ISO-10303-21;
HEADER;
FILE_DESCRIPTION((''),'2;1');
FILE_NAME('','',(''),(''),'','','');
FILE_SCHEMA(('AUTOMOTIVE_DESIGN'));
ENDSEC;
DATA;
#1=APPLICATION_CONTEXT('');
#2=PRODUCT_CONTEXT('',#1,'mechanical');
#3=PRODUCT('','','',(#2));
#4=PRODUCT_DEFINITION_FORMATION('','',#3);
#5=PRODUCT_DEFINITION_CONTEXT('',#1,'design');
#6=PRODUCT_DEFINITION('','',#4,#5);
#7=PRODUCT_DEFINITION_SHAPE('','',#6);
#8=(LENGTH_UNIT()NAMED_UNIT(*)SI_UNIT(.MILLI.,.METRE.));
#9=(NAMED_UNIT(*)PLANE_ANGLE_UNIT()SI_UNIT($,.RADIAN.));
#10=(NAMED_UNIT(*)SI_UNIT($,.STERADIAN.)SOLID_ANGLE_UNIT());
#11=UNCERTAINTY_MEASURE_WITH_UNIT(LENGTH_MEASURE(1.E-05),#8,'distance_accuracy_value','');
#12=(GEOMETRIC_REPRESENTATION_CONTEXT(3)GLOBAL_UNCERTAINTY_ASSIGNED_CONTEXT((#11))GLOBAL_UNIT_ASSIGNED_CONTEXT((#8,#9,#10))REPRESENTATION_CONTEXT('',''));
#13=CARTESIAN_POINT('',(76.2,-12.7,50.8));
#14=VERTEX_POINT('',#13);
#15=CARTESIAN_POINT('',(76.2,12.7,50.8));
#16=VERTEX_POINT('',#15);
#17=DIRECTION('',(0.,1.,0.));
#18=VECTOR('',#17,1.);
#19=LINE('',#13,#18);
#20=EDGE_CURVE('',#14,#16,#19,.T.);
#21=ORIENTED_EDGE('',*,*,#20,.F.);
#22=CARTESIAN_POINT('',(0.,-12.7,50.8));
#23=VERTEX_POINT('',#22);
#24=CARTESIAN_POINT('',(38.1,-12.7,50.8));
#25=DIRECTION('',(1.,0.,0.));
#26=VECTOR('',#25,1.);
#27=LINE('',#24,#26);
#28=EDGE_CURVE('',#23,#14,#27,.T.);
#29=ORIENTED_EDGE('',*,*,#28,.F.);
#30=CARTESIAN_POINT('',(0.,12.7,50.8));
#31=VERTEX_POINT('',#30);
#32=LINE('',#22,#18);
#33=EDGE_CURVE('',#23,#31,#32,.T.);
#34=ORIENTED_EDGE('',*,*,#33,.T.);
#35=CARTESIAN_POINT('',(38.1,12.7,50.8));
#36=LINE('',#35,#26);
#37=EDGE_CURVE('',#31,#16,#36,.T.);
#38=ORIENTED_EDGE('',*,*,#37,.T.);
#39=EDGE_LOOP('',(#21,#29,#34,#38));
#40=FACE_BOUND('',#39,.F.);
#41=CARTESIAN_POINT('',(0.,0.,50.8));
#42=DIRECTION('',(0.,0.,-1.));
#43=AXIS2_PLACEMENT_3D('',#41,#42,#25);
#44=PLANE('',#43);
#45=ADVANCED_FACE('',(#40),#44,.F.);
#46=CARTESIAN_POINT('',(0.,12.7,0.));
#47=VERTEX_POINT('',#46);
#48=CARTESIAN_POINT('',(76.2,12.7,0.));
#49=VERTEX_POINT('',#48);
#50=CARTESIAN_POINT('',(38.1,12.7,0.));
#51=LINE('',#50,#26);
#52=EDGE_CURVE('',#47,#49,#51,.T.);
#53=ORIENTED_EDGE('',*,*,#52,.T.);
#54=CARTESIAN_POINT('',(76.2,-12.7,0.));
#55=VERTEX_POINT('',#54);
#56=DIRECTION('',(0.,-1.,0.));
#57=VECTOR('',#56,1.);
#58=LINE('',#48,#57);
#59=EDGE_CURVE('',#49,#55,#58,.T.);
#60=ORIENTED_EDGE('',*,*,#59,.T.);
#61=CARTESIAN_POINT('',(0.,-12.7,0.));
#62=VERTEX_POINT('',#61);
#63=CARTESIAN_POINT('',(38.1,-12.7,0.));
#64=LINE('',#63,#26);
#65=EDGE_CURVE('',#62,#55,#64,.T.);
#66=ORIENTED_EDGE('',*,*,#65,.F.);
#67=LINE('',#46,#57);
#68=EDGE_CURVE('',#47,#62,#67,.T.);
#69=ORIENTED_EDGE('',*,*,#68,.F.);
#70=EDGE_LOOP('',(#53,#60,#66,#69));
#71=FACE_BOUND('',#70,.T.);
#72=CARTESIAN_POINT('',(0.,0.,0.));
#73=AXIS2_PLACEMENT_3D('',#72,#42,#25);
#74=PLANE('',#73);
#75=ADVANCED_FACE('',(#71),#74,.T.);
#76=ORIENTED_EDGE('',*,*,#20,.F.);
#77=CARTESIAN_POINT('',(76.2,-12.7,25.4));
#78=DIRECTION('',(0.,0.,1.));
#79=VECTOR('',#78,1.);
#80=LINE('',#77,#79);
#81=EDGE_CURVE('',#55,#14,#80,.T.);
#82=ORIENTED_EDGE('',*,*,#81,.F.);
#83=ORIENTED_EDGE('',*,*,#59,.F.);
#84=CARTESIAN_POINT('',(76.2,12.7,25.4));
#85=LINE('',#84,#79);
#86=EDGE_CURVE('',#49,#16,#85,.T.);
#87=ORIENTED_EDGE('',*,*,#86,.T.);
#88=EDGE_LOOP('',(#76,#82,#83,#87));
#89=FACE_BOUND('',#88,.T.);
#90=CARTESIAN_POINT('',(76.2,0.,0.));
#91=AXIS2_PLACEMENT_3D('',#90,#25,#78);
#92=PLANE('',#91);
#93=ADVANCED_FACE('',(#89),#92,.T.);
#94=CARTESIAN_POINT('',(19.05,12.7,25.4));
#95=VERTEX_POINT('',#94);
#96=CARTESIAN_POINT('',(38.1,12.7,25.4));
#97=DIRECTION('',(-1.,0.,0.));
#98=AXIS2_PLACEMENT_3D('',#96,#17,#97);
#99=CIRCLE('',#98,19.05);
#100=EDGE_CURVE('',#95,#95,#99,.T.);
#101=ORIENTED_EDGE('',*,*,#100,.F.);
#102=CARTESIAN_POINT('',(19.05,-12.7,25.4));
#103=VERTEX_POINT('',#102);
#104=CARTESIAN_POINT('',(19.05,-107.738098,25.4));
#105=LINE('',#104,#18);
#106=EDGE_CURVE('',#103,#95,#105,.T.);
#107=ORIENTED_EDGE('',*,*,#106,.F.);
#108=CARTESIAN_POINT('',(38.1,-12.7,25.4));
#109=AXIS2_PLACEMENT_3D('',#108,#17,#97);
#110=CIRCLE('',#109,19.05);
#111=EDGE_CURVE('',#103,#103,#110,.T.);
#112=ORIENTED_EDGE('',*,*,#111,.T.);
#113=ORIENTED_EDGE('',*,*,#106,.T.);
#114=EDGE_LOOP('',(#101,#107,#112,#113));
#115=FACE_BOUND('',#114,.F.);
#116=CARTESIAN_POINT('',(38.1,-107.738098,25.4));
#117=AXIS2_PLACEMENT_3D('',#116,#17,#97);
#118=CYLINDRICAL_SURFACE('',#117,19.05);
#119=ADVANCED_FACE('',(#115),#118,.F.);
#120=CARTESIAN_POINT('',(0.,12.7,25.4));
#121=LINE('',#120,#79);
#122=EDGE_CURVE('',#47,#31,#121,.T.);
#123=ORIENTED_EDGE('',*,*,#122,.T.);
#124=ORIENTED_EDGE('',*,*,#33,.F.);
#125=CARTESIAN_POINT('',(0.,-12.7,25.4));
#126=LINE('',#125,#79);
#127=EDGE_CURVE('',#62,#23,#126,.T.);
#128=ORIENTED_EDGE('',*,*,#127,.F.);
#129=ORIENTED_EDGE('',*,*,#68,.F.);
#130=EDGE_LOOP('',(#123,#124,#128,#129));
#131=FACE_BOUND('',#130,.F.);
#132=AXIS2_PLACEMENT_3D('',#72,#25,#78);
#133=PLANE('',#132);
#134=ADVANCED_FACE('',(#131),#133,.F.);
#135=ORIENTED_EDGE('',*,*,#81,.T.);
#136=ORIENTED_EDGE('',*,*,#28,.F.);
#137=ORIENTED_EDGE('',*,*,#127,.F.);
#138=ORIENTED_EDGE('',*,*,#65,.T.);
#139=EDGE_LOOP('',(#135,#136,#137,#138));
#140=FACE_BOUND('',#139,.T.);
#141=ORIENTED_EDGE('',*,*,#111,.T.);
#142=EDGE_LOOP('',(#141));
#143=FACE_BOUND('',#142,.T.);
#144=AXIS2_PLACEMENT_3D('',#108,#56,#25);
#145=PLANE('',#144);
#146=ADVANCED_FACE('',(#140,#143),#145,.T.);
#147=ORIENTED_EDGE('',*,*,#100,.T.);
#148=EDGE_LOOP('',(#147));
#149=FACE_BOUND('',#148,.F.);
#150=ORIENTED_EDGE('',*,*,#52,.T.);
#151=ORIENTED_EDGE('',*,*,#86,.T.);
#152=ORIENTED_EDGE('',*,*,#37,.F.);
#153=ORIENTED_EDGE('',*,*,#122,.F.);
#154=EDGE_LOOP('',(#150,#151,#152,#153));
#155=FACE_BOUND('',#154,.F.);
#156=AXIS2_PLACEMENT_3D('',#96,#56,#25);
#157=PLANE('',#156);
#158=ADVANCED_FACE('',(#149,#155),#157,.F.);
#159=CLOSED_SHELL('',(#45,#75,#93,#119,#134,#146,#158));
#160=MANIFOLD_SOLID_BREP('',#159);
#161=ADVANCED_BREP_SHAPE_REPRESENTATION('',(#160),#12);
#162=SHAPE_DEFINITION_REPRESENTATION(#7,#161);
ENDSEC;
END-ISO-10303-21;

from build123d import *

# Parameters (mm, degrees)
F0_W     = 76.2
F0_H     = 50.8
F1_DEPTH = 12.7
F3_D     = 38.1


with BuildPart() as f1:
    # F0 (on Front) → F1 (new body, symmetric)
    with BuildSketch(Plane.XZ):
        with Locations((38.1, 25.4)):
            Rectangle(F0_W, F0_H)
    extrude(amount=F1_DEPTH, both=True)

    # F3 (through all)
    with Locations(Plane.XZ.offset(12.7)):
        with Locations((38.1, 25.4)):
            Hole(F3_D / 2)


solid = f1.part
